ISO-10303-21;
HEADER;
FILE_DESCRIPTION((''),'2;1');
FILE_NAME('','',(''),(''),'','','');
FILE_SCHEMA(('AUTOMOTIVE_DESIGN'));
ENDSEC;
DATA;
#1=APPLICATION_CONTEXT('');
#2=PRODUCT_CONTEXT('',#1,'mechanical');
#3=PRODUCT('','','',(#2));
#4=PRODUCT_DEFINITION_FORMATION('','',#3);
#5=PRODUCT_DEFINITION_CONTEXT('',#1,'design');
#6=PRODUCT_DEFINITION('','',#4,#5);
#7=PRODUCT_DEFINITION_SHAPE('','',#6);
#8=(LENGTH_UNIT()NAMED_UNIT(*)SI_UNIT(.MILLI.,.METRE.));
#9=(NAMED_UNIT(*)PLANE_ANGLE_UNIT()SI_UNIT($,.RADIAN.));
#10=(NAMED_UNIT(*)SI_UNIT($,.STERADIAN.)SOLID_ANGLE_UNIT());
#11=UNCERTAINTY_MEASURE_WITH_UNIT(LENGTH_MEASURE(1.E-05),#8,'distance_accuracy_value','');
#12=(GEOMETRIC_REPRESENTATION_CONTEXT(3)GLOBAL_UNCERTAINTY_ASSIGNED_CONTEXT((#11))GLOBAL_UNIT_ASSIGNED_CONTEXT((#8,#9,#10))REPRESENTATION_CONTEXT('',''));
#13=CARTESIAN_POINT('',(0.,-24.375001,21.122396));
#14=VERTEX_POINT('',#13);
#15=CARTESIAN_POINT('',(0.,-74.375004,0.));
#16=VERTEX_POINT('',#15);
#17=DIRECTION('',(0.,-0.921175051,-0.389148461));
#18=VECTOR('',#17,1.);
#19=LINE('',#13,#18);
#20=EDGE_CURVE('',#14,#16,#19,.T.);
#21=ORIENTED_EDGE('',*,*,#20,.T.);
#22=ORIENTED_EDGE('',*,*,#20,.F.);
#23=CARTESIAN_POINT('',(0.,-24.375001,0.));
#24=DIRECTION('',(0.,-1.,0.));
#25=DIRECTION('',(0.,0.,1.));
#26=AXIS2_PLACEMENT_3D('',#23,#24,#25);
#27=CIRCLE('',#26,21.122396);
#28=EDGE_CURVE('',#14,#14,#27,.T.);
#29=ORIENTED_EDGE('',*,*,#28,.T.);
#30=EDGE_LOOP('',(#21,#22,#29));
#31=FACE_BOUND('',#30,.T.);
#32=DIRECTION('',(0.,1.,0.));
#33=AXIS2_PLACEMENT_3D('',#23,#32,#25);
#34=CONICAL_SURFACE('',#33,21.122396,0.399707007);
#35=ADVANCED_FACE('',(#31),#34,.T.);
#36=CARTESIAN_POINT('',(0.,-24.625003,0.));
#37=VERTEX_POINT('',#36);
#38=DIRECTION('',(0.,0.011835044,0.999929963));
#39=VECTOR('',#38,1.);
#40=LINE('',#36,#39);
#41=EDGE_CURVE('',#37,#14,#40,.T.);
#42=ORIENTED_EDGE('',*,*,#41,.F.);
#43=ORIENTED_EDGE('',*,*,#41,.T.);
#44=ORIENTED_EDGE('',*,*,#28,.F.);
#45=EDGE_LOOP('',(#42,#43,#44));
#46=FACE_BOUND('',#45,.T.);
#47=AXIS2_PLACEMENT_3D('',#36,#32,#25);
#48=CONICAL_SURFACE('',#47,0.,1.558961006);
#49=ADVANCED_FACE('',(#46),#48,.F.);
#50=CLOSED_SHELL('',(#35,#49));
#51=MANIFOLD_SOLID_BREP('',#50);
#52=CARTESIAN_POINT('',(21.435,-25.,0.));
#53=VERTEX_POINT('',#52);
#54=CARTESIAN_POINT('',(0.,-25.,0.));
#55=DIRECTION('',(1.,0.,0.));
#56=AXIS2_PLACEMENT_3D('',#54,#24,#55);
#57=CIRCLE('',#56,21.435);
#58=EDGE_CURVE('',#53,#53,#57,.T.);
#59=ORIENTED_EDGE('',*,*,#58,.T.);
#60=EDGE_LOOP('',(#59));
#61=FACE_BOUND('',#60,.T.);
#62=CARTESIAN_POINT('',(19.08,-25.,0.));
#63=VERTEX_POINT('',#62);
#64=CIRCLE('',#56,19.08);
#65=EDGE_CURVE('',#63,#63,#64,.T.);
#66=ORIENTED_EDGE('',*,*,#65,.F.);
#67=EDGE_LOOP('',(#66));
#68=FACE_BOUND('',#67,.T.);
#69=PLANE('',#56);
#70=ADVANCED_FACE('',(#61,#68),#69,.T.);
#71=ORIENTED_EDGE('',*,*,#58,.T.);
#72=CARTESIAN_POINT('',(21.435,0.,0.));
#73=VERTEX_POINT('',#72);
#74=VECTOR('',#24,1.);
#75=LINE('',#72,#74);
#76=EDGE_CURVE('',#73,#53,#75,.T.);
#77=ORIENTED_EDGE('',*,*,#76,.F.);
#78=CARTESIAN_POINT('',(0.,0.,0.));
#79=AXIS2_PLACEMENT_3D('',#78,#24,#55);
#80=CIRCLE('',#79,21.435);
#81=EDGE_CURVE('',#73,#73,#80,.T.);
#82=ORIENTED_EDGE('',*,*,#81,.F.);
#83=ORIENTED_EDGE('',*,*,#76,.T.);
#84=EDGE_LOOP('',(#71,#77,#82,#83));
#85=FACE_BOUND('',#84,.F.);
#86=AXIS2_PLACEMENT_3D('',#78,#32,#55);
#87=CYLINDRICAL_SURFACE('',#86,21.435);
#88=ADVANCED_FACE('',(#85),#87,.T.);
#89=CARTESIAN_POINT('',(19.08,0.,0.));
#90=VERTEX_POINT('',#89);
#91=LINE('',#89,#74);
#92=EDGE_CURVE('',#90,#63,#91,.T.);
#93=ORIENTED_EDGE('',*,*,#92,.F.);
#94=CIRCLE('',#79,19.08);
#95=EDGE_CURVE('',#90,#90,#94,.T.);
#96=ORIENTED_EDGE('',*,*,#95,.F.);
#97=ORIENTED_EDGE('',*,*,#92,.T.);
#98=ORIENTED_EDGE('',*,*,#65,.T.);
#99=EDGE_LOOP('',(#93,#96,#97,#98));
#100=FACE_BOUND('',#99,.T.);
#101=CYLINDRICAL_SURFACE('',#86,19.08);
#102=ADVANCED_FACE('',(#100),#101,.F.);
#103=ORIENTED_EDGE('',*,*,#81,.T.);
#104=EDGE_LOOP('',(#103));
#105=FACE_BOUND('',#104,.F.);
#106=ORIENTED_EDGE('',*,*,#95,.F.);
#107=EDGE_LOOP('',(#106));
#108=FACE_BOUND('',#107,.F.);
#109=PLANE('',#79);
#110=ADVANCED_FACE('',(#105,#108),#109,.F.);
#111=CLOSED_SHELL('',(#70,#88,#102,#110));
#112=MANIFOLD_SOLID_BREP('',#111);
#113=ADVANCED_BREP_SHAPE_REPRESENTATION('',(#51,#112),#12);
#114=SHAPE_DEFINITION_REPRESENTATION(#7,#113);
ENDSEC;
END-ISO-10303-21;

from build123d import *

# Parameters (mm, degrees)
F0_R     = 21.435
F0_R_2   = 19.08
F1_DEPTH = 25


with BuildPart() as f1:
    # F0 (on Front) → F1 (new body)
    with BuildSketch(Plane.XZ):
        Circle(F0_R)
        Circle(F0_R_2, mode=Mode.SUBTRACT)
    extrude(amount=F1_DEPTH)


with BuildPart() as f3:
    # F2 (on Right) → F3 (revolve)
    with BuildSketch(Plane.YZ):
        Polygon((-24.625003, 0), (-24.375001, 21.122396), (-74.375004, 0), align=None)
    revolve(axis=Axis((0, -4.4375, 0), (0, -1, 0)))


solid = Compound([f1.part, f3.part])
